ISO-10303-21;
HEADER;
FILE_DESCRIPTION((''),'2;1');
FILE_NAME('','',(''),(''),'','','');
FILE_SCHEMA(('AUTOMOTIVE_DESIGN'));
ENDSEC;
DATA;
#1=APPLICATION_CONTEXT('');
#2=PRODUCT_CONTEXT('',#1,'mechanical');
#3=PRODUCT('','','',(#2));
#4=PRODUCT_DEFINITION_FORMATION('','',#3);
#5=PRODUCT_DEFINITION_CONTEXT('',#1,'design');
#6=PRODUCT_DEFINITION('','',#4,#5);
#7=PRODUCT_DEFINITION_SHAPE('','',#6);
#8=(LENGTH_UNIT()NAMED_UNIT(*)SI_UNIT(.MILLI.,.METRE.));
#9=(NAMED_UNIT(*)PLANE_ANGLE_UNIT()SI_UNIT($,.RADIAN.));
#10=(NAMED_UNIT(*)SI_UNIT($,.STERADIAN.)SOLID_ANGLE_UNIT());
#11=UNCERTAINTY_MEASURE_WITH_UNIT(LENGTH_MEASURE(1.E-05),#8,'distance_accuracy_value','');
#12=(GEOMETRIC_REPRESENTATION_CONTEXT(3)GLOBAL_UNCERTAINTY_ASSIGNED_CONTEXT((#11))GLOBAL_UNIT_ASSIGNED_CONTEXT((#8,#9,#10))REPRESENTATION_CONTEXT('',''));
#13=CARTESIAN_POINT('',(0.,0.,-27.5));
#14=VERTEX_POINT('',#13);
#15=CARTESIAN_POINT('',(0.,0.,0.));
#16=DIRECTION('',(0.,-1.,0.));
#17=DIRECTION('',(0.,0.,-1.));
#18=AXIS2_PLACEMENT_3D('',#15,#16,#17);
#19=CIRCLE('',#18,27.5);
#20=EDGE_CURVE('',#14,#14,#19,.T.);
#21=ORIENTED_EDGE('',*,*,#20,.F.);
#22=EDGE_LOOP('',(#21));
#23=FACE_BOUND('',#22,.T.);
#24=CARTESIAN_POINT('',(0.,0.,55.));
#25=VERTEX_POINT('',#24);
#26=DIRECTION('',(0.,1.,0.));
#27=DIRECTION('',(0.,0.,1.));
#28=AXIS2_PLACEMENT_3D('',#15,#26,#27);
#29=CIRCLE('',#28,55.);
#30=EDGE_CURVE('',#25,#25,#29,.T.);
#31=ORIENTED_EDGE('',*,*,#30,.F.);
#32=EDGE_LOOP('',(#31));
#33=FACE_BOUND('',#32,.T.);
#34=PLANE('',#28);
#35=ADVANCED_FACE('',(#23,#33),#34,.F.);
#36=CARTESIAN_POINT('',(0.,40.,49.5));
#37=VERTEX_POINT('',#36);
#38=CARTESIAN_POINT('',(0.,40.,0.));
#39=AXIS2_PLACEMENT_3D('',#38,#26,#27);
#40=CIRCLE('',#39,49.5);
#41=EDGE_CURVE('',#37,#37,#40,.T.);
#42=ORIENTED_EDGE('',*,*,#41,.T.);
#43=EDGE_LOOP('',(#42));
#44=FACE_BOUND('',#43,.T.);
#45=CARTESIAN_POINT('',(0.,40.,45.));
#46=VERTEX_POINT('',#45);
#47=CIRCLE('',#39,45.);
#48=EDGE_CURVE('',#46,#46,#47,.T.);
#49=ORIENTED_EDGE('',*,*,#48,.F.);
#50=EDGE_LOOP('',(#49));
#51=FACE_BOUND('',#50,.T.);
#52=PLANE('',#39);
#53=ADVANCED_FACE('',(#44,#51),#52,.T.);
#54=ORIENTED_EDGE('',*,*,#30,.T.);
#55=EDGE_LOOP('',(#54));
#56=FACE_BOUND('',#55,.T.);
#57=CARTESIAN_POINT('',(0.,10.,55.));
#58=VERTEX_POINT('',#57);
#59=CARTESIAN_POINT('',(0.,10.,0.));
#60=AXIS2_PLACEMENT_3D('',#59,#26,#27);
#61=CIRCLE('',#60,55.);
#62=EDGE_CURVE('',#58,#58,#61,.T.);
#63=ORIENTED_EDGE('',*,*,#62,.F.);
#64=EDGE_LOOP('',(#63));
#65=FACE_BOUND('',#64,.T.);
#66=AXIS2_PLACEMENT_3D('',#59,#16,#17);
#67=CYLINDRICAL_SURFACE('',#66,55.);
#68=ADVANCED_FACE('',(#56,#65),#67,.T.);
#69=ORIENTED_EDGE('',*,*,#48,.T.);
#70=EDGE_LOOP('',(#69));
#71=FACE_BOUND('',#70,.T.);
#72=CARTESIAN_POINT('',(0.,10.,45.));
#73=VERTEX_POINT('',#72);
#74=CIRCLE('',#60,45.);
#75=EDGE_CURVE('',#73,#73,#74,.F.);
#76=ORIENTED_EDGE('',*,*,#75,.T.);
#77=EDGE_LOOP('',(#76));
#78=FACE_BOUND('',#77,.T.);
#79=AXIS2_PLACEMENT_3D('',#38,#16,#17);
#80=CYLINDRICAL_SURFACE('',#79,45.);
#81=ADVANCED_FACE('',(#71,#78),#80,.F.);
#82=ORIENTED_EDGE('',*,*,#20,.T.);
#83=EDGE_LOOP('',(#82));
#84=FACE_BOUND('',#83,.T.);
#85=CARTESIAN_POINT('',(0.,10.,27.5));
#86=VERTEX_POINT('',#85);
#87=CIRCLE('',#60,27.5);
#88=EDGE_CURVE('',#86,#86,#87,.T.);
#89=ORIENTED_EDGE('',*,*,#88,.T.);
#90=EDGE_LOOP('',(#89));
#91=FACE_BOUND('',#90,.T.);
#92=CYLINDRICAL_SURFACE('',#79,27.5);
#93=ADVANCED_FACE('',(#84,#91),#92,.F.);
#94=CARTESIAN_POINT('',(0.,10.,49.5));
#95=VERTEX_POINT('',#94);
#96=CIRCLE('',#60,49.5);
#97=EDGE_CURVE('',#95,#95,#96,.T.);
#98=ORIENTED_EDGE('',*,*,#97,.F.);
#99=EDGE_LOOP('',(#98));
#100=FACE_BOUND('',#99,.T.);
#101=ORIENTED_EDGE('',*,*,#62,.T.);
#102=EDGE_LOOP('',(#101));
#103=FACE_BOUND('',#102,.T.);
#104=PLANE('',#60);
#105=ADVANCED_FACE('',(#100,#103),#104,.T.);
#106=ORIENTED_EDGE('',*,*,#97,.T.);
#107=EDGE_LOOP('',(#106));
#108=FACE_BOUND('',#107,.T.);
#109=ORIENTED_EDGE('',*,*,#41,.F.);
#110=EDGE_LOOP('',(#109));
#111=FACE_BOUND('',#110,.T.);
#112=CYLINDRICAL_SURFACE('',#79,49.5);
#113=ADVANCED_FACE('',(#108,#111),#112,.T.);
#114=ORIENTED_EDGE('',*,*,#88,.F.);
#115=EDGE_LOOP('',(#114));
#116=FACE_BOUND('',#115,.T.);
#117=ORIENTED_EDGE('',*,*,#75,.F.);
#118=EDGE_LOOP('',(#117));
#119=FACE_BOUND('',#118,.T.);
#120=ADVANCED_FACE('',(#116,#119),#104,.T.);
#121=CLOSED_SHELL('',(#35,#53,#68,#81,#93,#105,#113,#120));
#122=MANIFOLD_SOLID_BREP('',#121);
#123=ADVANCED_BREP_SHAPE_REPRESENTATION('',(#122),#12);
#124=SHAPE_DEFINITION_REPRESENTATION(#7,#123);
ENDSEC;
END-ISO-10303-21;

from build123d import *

# Parameters (mm, degrees)
SKETCH_1_R          = 55
EXTRUDE_1_DEPTH     = 10
SKETCH_3_R          = 49.5
SKETCH_3_R_2        = 45
EXTRUDE_2_DEPTH     = 30
SKETCH_4_R          = 27.5
CUT_EXTRUDE_1_DEPTH = 88.464278423


with BuildPart() as part:
    # 草图1 → 拉伸1 (new body)
    with BuildSketch(Plane(origin=(0, 0, 0), x_dir=(1, 0, 0), z_dir=(0, 1, 0))):
        Circle(SKETCH_1_R)
    extrude(amount=EXTRUDE_1_DEPTH)

    # 草图3 → 拉伸2 (add)
    with BuildSketch(Plane(origin=(0, 10, 0), x_dir=(-1, 0, 0), z_dir=(0, 1, 0))):
        Circle(SKETCH_3_R)
        Circle(SKETCH_3_R_2, mode=Mode.SUBTRACT)
    extrude(amount=EXTRUDE_2_DEPTH)

    # 草图4 → 切除-拉伸1 (cut, through all)
    with BuildSketch(Plane.XZ):
        Circle(SKETCH_4_R)
    extrude(amount=-CUT_EXTRUDE_1_DEPTH, mode=Mode.SUBTRACT)


solid = part.part
